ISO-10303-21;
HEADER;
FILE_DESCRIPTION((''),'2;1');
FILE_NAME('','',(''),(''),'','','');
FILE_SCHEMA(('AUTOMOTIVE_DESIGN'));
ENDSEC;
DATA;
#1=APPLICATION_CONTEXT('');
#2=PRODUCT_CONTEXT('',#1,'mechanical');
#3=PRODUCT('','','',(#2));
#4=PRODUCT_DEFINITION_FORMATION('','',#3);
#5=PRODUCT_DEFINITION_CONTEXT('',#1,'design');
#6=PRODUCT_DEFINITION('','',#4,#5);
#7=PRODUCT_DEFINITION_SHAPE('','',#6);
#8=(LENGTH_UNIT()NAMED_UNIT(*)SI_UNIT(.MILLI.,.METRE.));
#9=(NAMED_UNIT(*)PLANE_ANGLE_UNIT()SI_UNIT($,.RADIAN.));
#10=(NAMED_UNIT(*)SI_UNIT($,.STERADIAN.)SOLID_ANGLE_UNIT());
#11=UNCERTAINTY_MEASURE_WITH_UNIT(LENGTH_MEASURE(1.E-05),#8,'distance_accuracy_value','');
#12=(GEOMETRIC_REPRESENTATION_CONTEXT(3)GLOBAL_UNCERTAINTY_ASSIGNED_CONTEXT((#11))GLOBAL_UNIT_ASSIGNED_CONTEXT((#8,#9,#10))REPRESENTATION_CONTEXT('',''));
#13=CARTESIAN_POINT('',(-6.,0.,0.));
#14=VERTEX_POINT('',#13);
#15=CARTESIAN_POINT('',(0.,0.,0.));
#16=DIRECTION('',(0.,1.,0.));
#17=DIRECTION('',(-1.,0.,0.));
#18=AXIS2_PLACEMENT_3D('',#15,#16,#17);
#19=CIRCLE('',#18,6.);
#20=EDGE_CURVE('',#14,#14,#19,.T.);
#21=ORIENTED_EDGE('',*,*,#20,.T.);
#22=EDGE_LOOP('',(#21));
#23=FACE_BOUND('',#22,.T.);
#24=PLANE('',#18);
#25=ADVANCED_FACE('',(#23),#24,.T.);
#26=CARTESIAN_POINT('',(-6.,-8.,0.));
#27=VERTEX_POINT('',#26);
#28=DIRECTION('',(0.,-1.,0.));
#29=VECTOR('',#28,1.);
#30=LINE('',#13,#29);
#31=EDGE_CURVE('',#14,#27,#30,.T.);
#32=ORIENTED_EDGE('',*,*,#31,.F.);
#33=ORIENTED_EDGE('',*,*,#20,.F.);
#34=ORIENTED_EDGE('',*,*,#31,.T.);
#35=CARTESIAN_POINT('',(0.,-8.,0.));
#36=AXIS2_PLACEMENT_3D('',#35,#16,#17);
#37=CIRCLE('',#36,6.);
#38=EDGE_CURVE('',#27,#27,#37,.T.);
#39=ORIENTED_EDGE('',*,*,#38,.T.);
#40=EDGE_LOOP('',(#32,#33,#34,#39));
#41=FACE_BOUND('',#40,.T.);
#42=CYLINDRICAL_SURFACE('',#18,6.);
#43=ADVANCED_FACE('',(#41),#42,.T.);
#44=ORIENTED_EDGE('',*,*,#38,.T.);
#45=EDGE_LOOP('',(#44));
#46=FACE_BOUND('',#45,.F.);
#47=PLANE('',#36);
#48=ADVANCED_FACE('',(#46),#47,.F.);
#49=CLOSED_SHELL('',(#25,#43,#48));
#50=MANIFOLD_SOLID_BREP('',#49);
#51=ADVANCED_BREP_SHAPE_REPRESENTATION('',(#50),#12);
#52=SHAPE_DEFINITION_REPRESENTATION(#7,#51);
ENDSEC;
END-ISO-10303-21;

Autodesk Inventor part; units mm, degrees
ref_plane "YZ Plane" through (0, 0, 0) normal (1, 0, 0) x (0, 1, 0)
ref_plane "XZ Plane" through (0, 0, 0) normal (0, 1, 0) x (-1, 0, 0)
ref_plane "XY Plane" through (0, 0, 0) normal (0, 0, 1) x (1, 0, 0)
sketch "Sketch1" plane through (0, 0, 0) normal (0, 1, 0) x (-1, 0, 0)
  circle A0 centre (0, 0) radius 6
  dimension "d0" = 12
extrude "Extrusion1" add sketch "Sketch1" against normal blind 8
properties part number "pinionForRyobiPart"
